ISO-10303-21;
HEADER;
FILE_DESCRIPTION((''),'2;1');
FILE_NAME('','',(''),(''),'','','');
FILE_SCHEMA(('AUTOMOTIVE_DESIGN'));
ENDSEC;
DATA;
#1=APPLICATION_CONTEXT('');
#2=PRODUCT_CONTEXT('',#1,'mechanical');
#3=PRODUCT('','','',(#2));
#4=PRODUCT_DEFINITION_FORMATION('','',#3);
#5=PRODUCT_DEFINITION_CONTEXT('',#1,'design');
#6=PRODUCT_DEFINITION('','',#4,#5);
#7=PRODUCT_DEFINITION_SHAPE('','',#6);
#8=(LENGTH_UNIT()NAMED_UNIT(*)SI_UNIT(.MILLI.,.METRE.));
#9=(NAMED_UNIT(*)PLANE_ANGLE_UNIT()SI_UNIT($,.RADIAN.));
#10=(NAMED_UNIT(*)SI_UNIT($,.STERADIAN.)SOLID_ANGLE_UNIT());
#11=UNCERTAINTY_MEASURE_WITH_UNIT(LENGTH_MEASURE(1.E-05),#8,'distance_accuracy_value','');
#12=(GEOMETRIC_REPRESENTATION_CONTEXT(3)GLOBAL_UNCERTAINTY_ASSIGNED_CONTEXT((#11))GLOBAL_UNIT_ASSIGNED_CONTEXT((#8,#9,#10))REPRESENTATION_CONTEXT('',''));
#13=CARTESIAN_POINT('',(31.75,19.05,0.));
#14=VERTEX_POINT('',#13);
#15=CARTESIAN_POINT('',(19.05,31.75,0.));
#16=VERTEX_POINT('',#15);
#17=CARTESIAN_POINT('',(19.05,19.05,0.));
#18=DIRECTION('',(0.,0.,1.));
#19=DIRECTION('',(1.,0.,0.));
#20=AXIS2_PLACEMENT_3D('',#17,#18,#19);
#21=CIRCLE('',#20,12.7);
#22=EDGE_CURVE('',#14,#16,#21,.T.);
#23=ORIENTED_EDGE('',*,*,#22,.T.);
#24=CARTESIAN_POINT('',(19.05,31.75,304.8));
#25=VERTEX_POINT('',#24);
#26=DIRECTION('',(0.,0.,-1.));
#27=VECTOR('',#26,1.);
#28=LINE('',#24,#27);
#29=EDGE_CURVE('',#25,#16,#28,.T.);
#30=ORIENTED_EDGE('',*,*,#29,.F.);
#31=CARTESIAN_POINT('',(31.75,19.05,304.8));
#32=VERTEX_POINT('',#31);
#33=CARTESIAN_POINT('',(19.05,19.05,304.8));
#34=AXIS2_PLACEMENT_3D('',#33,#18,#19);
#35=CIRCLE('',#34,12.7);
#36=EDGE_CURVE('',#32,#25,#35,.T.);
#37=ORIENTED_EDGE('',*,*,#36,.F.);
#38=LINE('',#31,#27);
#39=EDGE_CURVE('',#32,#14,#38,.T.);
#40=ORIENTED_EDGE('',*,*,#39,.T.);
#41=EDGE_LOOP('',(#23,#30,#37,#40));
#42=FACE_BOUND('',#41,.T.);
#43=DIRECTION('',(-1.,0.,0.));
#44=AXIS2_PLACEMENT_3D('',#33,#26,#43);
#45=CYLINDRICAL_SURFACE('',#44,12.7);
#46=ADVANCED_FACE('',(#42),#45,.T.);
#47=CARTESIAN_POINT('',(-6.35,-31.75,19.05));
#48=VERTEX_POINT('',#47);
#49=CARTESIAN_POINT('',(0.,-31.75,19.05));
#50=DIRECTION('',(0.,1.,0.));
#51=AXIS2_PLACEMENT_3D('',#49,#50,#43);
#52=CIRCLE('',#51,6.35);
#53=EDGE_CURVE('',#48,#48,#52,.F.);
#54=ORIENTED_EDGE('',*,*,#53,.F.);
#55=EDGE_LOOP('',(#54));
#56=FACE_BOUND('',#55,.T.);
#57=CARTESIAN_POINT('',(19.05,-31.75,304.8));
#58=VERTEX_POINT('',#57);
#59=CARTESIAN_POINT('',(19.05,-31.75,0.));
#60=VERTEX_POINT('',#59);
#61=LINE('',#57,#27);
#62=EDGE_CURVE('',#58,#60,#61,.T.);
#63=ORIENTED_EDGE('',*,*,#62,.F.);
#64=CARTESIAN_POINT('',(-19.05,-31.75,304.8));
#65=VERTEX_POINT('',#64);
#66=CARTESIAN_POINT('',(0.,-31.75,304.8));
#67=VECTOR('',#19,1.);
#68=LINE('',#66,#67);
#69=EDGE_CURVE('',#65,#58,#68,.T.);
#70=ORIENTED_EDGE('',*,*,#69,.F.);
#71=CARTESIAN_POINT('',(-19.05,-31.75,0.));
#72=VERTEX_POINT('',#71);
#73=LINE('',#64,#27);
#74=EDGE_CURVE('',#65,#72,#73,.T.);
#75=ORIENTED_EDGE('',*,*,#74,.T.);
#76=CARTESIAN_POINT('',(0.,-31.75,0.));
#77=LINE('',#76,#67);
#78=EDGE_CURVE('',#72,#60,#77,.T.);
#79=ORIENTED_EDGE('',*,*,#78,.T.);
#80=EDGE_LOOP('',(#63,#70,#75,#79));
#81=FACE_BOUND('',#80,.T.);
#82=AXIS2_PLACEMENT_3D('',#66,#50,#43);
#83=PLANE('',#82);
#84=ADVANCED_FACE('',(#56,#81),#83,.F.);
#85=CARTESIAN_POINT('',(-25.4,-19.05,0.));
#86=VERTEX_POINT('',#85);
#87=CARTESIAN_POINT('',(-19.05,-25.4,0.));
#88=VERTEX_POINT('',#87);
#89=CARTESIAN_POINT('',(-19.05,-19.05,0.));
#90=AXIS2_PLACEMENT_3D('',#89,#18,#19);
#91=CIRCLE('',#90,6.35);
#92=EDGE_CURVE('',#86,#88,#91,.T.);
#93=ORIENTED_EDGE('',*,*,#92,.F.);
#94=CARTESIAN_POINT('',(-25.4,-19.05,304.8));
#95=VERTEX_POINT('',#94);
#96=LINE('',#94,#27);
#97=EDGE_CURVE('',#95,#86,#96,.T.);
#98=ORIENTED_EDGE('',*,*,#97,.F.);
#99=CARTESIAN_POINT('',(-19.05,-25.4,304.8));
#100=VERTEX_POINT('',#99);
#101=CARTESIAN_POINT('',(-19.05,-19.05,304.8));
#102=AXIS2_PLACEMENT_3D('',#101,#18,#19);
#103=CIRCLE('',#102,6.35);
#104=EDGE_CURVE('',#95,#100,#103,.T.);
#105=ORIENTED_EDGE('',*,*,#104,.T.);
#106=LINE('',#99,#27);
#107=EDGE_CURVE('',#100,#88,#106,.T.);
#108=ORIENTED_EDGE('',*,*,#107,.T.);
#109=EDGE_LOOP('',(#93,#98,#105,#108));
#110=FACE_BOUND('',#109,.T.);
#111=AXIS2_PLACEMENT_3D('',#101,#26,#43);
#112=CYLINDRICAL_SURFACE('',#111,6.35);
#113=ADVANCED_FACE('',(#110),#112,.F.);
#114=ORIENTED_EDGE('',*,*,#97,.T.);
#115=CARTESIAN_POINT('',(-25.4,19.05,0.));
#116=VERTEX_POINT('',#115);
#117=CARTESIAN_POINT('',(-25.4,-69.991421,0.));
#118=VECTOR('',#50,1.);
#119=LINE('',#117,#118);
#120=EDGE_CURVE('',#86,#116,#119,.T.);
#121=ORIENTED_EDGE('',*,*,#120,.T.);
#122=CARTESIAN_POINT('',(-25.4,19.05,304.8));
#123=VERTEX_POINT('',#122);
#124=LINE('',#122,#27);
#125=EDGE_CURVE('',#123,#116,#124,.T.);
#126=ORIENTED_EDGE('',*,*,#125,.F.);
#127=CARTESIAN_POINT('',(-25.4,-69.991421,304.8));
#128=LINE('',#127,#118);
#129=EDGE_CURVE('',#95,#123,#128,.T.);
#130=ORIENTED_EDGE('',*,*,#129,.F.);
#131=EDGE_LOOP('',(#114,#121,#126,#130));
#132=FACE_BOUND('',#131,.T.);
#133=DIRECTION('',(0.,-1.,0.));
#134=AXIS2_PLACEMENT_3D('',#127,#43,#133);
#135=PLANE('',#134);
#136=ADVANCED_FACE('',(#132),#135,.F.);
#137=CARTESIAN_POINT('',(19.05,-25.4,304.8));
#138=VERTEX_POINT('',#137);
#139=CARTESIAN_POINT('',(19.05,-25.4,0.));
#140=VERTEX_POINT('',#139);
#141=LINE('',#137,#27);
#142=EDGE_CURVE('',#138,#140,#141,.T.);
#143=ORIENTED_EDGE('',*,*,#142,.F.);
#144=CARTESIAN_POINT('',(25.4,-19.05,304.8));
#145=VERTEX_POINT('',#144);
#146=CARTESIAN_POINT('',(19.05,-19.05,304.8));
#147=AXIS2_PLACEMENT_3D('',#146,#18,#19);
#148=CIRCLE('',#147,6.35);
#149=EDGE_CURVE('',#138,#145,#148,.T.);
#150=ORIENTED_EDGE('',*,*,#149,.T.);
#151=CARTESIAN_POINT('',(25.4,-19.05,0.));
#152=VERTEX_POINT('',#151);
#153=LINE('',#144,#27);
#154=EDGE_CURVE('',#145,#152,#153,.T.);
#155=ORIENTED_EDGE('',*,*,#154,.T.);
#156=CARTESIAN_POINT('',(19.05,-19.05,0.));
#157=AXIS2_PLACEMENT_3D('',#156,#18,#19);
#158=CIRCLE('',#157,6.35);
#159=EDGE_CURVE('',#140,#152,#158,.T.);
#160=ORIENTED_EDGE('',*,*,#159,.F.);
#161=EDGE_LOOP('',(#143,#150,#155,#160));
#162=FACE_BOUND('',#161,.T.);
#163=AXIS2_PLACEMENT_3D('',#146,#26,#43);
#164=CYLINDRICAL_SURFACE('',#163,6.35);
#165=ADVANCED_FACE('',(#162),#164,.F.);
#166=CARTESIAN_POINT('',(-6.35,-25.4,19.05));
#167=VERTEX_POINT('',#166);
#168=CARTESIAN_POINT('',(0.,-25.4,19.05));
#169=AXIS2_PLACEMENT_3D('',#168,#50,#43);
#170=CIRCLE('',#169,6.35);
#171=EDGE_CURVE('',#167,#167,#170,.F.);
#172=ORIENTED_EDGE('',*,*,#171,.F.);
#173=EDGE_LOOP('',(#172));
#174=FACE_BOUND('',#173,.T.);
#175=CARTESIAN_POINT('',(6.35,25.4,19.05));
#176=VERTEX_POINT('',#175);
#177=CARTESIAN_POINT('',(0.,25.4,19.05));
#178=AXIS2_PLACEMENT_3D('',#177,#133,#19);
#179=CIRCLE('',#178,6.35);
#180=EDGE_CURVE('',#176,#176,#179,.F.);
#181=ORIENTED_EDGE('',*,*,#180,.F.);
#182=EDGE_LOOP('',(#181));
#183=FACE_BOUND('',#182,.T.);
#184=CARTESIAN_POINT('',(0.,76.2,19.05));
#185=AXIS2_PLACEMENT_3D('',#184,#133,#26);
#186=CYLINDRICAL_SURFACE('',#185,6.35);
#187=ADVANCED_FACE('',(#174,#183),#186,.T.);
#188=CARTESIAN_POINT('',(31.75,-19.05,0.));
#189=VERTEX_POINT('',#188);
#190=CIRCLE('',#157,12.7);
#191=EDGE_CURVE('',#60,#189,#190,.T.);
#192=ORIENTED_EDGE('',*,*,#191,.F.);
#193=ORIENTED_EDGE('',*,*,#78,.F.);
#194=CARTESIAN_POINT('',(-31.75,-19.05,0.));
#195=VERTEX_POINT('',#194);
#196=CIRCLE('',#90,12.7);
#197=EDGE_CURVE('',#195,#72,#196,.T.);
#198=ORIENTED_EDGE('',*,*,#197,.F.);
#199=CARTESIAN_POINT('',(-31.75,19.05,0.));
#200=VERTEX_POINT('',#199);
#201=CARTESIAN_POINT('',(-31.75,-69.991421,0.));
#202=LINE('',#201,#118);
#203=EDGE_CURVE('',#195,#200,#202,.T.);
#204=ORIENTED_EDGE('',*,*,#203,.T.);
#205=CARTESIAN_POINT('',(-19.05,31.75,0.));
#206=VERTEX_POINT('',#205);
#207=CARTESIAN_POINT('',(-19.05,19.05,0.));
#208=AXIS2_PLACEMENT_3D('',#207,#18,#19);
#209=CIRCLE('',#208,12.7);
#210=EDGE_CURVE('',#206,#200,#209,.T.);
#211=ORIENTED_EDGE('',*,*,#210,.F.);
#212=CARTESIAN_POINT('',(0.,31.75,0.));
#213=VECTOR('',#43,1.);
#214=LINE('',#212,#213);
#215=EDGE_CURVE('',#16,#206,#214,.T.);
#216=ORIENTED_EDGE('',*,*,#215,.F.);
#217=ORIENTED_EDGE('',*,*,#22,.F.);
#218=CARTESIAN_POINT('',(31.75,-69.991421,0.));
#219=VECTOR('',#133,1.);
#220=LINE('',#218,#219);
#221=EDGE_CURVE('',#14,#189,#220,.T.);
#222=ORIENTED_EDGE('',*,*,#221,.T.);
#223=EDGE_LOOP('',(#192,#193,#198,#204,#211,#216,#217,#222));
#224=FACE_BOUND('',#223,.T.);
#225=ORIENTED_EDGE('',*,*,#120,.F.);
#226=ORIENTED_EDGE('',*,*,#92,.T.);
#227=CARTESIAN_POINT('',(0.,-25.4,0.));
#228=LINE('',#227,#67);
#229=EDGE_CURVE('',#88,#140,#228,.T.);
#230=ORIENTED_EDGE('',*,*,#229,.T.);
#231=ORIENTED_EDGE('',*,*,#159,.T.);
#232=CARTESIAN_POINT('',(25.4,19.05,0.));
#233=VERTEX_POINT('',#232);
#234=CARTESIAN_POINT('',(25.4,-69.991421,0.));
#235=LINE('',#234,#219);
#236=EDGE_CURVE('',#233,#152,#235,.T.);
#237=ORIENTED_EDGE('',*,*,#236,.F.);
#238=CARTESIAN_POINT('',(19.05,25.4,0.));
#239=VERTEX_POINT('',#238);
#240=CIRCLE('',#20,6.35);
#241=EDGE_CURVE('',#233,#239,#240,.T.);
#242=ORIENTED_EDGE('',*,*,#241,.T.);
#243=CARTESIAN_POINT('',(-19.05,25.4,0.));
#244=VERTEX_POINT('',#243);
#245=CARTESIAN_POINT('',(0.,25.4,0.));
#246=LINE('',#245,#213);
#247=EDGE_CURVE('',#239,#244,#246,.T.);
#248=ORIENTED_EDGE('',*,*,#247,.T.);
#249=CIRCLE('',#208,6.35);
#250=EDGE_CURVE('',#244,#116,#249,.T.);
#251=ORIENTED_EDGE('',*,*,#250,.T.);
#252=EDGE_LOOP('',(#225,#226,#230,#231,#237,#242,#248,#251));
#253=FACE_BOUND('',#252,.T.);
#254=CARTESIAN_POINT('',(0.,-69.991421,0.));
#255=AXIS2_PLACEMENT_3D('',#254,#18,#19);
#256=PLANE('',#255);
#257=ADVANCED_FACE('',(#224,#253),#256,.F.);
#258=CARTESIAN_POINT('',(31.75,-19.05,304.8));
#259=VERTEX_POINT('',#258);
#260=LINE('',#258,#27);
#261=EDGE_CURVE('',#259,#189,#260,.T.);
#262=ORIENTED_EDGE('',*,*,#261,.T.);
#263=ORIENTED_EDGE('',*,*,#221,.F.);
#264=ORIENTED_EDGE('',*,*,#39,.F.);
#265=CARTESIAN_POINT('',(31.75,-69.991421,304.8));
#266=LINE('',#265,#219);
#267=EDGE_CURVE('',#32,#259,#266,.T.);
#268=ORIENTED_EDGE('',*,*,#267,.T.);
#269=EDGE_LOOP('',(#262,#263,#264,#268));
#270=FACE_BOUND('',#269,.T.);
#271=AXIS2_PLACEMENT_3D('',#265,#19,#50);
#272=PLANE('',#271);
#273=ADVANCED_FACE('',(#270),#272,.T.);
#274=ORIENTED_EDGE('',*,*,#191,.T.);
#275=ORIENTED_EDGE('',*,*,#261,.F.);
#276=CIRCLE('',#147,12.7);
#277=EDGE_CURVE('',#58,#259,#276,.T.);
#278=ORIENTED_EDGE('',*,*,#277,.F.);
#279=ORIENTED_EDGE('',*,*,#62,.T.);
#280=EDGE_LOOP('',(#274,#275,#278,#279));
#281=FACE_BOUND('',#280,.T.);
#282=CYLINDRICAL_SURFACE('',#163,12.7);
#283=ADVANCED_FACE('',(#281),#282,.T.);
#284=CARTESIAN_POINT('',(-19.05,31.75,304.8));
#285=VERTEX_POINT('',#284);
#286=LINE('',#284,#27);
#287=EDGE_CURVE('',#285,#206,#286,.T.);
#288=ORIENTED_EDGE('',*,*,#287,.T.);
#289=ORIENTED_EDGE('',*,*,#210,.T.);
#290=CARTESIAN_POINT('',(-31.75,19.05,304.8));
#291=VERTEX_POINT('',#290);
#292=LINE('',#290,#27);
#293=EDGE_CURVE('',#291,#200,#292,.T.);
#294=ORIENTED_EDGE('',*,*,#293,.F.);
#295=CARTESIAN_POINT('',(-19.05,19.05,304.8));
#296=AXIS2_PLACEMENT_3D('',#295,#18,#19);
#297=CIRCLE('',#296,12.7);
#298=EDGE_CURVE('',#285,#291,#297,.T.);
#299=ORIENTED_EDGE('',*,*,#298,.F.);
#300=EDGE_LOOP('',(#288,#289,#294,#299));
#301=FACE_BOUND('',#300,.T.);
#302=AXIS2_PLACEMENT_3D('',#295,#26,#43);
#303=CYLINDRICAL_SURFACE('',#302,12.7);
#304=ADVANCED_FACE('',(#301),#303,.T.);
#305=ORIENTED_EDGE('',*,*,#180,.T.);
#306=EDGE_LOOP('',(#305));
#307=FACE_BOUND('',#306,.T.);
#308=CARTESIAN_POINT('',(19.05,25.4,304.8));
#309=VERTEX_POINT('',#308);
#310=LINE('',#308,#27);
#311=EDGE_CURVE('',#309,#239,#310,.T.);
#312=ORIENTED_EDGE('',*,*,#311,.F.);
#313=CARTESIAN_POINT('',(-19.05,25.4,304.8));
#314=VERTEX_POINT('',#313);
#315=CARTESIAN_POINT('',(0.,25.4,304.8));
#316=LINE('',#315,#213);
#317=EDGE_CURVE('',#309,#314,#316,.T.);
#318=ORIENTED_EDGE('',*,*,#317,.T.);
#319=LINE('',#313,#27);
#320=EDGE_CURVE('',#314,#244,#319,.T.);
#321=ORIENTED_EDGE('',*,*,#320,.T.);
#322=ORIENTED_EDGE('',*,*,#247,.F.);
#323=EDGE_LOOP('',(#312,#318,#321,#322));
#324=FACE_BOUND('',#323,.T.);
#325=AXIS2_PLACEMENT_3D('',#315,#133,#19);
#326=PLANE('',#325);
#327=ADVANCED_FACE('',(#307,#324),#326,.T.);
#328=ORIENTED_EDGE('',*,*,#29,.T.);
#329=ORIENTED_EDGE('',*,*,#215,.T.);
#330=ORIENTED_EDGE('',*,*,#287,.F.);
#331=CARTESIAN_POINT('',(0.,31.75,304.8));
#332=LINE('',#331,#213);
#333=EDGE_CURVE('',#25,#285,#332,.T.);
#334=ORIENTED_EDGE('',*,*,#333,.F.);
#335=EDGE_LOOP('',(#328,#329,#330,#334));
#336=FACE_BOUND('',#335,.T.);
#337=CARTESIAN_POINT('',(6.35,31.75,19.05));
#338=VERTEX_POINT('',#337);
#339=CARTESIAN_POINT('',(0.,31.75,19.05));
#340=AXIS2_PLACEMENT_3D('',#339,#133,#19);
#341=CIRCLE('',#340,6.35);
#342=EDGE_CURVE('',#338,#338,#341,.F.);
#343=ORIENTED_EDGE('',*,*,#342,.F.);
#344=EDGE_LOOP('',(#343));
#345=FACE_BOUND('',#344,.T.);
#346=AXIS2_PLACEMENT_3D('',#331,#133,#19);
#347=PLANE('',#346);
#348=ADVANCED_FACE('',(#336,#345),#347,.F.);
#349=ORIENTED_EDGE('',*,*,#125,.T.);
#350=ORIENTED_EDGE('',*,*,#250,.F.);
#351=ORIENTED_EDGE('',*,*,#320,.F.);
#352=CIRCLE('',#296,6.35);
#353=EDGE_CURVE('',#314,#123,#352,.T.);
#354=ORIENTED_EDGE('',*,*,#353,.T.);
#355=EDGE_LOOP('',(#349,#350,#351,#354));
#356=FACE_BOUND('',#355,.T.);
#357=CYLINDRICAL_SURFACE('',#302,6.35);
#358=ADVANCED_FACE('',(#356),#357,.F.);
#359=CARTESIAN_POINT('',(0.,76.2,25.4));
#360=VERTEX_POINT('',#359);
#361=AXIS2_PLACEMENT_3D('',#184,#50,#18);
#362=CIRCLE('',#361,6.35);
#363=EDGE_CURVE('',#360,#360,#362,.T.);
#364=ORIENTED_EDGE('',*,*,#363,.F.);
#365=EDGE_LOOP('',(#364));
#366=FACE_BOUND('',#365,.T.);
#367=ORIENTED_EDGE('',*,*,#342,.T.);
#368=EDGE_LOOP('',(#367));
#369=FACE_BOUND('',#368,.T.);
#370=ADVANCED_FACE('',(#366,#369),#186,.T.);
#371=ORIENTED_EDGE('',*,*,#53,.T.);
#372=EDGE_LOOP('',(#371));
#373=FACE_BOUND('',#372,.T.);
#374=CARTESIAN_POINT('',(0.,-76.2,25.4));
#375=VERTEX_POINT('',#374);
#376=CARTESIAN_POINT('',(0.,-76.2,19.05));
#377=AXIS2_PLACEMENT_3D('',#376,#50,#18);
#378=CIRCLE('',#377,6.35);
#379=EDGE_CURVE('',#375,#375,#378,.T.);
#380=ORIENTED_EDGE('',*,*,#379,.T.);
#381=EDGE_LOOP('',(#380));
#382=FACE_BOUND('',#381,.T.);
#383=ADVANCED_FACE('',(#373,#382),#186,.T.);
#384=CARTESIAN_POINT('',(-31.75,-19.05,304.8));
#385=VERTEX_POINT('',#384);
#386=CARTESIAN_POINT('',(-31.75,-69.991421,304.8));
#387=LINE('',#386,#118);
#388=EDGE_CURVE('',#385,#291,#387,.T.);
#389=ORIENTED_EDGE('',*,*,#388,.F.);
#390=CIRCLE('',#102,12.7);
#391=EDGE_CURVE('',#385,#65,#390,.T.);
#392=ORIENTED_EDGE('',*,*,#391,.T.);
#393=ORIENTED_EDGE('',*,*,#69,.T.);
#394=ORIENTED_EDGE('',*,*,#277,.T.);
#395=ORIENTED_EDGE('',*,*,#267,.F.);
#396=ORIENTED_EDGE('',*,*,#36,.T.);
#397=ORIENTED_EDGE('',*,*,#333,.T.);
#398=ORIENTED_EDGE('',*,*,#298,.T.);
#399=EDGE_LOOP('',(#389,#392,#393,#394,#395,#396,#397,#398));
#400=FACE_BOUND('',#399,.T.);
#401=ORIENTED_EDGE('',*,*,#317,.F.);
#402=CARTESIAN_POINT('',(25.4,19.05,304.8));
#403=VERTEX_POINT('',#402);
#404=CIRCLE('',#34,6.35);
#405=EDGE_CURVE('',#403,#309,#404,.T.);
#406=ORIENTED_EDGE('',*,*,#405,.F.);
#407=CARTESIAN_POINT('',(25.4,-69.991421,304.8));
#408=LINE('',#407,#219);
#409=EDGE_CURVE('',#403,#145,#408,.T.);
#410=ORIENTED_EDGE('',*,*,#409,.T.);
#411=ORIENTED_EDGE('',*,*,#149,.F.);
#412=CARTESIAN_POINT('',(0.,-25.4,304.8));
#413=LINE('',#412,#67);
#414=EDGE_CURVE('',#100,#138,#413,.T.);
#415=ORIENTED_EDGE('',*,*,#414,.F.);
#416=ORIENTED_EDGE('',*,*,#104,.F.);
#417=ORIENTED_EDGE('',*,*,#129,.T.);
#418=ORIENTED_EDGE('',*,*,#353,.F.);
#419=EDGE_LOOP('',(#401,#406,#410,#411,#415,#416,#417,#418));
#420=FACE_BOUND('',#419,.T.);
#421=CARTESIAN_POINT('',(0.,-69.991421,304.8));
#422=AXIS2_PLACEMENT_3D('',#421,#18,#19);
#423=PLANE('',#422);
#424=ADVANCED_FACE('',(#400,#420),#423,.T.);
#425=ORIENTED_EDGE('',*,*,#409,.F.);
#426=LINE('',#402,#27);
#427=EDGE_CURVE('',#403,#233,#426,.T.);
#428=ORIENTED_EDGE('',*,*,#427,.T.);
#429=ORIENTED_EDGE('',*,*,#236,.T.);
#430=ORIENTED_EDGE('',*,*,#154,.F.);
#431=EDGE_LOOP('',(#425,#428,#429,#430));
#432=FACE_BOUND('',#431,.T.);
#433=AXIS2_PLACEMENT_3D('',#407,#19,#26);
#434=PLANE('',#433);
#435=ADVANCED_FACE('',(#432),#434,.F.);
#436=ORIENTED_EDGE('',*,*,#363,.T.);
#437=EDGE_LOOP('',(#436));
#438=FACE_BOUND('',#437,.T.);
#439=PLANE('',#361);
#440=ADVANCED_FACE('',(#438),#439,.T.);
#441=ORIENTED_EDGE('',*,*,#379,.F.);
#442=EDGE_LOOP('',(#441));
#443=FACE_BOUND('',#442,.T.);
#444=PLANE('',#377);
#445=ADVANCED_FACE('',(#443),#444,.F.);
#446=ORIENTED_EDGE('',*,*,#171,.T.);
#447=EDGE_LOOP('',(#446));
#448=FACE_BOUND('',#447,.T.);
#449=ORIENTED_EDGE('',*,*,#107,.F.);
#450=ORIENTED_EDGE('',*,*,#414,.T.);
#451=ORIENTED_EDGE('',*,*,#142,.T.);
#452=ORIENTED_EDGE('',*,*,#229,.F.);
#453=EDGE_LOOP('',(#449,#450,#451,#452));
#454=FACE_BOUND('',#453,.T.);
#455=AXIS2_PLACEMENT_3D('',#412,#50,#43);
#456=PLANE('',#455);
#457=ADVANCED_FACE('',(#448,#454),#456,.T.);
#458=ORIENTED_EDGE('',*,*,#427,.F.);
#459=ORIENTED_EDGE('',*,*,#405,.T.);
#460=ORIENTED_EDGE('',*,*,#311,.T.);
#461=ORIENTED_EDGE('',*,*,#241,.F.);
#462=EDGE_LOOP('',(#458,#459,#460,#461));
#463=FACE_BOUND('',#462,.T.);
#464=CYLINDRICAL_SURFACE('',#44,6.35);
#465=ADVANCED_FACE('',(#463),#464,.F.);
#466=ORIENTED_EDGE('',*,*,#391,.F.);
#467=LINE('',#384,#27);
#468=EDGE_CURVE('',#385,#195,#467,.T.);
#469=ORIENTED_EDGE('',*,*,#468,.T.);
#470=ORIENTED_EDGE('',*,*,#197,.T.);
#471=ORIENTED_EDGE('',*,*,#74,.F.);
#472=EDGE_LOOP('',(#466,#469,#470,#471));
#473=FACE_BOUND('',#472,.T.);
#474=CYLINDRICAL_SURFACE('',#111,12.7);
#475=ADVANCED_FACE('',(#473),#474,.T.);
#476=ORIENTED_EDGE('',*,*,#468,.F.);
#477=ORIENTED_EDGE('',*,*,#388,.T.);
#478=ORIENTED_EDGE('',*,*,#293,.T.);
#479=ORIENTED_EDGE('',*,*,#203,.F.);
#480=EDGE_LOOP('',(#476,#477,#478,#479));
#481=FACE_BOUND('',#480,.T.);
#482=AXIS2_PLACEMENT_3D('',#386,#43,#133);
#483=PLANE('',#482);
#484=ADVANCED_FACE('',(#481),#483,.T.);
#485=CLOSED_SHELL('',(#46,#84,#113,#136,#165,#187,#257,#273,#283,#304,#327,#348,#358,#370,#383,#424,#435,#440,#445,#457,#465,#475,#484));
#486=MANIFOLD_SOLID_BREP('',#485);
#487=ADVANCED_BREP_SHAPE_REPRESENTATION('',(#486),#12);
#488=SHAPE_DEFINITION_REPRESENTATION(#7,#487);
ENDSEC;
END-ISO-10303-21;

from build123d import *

# Parameters (mm, degrees)
BOSS_EXTRUDE1_DEPTH = 304.8
SKETCH3_R           = 6.35
BOSS_EXTRUDE2_DEPTH = 76.2


with BuildPart() as part:
    # Sketch1 → Boss-Extrude1 (new body)
    with BuildSketch(Plane.XY):
        with BuildLine():
            Line((19.05, 31.75), (-19.05, 31.75))
            ThreePointArc((-19.05, 31.75), (-28.030256121, 28.030256121), (-31.75, 19.05))
            Line((-31.75, 19.05), (-31.75, -19.05))
            ThreePointArc((-31.75, -19.05), (-28.030256121, -28.030256121), (-19.05, -31.75))
            Line((-19.05, -31.75), (19.05, -31.75))
            ThreePointArc((19.05, -31.75), (28.030256121, -28.030256121), (31.75, -19.05))
            Line((31.75, -19.05), (31.75, 19.05))
            ThreePointArc((31.75, 19.05), (28.030256121, 28.030256121), (19.05, 31.75))
        make_face()
        with BuildLine():
            ThreePointArc((-25.4, -19.05), (-23.540128061, -23.540128061), (-19.05, -25.4))
            Line((-19.05, -25.4), (19.05, -25.4))
            ThreePointArc((19.05, -25.4), (23.540128061, -23.540128061), (25.4, -19.05))
            Line((25.4, -19.05), (25.4, 19.05))
            ThreePointArc((25.4, 19.05), (23.540128061, 23.540128061), (19.05, 25.4))
            Line((19.05, 25.4), (-19.05, 25.4))
            ThreePointArc((-19.05, 25.4), (-23.540128061, 23.540128061), (-25.4, 19.05))
            Line((-25.4, 19.05), (-25.4, -19.05))
        make_face(mode=Mode.SUBTRACT)
    extrude(amount=BOSS_EXTRUDE1_DEPTH)

    # Sketch3 → Boss-Extrude2 (add, symmetric)
    with BuildSketch(Plane(origin=(0, 0, 0), x_dir=(1, 0, 0), z_dir=(0, 1, 0))):
        with Locations((0, -19.05)):
            Circle(SKETCH3_R)
    extrude(amount=BOSS_EXTRUDE2_DEPTH, both=True)


solid = part.part
